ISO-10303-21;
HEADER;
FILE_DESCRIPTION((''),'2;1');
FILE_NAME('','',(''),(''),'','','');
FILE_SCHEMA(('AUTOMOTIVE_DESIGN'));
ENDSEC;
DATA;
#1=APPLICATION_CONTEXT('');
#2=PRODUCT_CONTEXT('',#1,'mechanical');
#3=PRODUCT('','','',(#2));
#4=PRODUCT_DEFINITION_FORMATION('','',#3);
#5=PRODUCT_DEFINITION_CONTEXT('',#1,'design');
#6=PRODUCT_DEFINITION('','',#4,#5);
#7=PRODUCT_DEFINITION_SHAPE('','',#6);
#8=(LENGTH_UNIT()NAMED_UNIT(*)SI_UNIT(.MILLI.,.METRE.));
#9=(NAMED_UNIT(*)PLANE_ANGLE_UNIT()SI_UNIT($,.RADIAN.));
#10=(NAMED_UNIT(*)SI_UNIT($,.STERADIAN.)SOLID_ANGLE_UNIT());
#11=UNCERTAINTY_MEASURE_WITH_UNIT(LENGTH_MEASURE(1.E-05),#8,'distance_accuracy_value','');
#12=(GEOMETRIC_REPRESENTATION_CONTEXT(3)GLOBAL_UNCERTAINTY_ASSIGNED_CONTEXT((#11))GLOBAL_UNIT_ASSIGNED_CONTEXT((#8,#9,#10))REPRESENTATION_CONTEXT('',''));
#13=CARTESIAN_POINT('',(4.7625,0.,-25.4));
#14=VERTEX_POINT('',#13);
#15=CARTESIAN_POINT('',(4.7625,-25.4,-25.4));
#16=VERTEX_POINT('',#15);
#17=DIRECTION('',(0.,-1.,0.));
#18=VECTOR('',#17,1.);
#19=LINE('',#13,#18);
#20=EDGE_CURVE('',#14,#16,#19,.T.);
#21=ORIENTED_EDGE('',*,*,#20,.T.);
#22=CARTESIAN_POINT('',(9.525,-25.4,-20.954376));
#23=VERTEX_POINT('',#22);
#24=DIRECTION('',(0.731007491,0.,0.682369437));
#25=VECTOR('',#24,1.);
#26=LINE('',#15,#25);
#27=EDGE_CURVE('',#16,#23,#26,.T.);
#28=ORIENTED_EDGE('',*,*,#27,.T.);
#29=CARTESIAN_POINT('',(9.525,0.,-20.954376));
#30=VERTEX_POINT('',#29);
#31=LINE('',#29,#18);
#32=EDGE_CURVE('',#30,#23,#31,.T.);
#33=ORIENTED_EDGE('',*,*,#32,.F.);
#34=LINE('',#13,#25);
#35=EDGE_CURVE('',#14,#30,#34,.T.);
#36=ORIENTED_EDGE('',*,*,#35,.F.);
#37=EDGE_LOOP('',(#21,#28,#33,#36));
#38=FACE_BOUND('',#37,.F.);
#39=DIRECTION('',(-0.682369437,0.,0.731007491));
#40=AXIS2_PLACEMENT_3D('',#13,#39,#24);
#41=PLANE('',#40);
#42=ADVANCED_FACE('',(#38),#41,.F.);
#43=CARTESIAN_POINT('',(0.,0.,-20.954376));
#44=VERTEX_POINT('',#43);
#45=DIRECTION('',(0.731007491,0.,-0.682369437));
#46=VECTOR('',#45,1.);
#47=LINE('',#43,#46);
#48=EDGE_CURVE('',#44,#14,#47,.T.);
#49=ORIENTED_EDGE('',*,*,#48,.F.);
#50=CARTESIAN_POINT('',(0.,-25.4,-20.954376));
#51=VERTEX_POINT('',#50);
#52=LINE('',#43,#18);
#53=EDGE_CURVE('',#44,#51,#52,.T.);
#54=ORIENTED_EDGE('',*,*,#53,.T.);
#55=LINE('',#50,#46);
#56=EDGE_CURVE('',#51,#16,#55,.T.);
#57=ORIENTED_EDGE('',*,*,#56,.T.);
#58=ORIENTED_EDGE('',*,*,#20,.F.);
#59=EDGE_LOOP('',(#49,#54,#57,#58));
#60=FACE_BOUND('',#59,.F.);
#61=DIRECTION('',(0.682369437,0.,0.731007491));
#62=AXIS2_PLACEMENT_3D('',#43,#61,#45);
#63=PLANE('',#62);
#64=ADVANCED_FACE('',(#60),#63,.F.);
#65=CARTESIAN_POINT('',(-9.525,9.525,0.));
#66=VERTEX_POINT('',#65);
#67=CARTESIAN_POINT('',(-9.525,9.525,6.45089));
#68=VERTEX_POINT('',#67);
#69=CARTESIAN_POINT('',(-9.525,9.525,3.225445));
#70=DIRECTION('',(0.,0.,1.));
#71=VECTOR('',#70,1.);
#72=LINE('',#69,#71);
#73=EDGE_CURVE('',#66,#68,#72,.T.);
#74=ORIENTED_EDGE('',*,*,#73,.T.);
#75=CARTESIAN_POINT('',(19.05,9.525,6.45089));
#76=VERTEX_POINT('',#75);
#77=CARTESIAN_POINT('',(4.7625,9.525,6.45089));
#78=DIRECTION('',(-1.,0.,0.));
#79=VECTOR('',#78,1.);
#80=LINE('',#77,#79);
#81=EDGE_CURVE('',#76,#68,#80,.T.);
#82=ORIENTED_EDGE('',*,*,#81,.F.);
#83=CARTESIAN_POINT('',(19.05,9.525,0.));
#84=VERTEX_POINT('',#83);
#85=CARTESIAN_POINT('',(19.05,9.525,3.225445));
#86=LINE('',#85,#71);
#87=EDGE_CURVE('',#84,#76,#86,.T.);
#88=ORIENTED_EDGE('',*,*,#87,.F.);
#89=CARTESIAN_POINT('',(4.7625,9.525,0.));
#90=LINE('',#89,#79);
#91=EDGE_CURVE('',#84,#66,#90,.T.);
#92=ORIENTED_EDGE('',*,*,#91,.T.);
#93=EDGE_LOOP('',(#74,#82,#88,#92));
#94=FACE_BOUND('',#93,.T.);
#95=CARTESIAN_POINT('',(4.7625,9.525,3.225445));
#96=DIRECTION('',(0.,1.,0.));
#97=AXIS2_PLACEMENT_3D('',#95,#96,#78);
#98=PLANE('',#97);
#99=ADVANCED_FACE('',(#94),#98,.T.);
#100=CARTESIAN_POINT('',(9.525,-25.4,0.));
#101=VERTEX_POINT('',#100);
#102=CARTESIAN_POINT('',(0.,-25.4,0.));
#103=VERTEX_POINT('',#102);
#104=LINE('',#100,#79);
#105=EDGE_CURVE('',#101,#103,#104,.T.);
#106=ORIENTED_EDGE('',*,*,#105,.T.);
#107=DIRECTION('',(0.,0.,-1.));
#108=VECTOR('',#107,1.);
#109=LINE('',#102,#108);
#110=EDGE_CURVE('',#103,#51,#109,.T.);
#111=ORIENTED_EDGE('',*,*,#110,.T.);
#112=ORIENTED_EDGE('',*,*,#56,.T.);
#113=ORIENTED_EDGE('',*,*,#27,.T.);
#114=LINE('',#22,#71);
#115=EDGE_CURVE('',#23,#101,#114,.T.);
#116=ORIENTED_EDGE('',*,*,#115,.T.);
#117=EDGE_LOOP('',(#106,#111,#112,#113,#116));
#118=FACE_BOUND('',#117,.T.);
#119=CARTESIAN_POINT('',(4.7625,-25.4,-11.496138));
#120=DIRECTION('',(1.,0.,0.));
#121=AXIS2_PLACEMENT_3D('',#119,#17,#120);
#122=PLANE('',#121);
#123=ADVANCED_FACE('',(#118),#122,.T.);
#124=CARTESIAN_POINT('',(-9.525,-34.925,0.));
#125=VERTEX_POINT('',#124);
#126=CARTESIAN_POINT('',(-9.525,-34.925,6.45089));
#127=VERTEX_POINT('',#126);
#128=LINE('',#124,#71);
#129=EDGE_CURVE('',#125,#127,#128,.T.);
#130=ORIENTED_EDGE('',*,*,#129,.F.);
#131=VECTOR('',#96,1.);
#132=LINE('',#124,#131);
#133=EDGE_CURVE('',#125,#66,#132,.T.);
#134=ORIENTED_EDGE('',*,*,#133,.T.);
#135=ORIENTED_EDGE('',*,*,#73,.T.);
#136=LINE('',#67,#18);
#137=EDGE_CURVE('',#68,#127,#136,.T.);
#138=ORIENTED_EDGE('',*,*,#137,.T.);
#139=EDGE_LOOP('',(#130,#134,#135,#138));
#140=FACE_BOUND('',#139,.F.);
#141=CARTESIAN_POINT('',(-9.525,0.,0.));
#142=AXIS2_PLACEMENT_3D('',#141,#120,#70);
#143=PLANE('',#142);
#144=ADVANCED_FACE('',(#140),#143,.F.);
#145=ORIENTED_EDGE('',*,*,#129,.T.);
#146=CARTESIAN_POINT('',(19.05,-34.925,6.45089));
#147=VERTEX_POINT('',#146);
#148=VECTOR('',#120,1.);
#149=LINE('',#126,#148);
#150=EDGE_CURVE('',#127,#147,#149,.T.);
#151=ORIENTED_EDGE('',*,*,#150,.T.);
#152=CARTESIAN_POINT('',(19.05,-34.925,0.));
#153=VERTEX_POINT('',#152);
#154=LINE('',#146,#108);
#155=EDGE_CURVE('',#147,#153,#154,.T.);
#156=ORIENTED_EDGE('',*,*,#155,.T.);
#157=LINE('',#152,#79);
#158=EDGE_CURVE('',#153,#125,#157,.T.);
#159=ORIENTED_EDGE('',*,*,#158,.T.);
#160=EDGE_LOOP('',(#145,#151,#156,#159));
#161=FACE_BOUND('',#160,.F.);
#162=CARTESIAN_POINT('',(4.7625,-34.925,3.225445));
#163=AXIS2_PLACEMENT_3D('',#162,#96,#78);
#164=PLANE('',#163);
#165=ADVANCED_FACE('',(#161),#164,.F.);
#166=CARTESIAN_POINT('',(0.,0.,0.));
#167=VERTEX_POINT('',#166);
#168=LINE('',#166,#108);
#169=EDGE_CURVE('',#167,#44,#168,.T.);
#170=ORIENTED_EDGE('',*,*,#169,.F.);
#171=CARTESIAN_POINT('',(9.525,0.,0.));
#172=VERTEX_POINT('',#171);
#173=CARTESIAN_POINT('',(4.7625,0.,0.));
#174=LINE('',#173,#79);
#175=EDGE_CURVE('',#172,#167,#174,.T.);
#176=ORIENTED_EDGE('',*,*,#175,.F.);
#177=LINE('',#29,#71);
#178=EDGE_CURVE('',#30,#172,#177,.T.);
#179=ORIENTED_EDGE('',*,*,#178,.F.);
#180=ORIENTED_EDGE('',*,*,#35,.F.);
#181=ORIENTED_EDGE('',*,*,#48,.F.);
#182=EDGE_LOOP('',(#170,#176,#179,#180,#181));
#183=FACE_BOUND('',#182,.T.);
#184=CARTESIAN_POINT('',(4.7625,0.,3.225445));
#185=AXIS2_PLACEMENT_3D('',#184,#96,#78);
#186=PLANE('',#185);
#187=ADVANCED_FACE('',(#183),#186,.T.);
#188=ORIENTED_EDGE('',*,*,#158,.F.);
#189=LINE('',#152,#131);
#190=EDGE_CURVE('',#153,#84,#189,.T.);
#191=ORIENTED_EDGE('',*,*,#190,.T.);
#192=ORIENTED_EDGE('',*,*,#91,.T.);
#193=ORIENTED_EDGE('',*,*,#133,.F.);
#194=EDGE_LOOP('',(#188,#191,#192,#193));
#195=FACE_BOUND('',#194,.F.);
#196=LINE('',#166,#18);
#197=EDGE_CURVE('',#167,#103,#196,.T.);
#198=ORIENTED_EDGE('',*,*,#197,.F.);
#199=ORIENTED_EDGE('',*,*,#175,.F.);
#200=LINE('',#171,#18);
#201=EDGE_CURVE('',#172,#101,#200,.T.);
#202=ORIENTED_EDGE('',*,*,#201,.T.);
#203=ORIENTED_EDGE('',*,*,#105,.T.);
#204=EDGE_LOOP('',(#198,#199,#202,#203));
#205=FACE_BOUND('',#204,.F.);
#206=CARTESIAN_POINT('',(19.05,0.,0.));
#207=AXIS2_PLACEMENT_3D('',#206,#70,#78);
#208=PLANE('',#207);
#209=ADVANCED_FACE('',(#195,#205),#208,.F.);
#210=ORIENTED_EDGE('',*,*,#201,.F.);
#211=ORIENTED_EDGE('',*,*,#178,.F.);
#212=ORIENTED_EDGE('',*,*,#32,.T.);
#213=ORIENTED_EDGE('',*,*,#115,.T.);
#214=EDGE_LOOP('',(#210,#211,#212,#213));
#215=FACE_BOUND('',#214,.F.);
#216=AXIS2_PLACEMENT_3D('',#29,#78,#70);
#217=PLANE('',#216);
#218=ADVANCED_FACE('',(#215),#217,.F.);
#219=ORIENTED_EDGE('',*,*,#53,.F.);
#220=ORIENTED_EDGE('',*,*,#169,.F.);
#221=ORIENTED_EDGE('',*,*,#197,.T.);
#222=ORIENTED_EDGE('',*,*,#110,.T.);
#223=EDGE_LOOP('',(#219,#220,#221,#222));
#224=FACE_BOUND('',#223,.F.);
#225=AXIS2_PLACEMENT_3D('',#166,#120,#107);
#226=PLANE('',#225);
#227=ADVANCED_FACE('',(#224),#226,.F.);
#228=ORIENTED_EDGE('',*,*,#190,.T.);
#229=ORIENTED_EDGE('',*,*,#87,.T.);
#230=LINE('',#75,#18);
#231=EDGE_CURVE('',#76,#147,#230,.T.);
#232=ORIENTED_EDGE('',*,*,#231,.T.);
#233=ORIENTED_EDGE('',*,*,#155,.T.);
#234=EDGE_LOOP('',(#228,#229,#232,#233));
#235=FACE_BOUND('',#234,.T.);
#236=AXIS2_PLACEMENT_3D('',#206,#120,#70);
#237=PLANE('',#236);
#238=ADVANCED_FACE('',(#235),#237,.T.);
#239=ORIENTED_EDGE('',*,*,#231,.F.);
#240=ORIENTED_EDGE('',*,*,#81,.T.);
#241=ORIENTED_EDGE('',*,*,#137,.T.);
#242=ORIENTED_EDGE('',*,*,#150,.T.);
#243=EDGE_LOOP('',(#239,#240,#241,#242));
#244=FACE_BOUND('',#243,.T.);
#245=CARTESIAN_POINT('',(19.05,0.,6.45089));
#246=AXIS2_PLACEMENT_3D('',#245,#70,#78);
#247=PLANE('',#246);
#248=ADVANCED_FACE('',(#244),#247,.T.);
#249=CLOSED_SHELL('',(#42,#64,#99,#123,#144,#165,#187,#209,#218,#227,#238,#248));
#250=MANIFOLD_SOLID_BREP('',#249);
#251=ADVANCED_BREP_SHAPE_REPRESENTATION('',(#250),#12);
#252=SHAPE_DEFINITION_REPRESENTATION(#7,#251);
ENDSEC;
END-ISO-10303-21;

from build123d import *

# Parameters (mm, degrees)
F1_DEPTH = 25.4
F3_DEPTH = 34.925
F4_W     = 28.575
F4_H     = 6.45089
F5_DEPTH = 9.525


with BuildPart() as f1:
    # F0 (on Front) → F1 (new body)
    with BuildSketch(Plane.XZ):
        Polygon((9.525, 0), (0, 0), (0, -20.954376), (4.7625, -25.4), (9.525, -20.954376), align=None)
    extrude(amount=F1_DEPTH)

    # F2 (on face) → F3 (join)
    with BuildSketch(Plane(origin=(0, 0, 0), x_dir=(-1, 0, 0), z_dir=(0, 1, 0))):
        Polygon((-19.05, 6.45089), (-19.05, 0), (-9.525, 0), (0, 0), (9.525, 0), (9.525, 6.45089), align=None)
    extrude(amount=-F3_DEPTH)

    # F4 (on face) → F5 (join)
    with BuildSketch(Plane(origin=(0, 0, 0), x_dir=(-1, 0, 0), z_dir=(0, 1, 0))):
        with Locations((-4.7625, 3.225445)):
            Rectangle(F4_W, F4_H)
    extrude(amount=F5_DEPTH)


solid = f1.part
